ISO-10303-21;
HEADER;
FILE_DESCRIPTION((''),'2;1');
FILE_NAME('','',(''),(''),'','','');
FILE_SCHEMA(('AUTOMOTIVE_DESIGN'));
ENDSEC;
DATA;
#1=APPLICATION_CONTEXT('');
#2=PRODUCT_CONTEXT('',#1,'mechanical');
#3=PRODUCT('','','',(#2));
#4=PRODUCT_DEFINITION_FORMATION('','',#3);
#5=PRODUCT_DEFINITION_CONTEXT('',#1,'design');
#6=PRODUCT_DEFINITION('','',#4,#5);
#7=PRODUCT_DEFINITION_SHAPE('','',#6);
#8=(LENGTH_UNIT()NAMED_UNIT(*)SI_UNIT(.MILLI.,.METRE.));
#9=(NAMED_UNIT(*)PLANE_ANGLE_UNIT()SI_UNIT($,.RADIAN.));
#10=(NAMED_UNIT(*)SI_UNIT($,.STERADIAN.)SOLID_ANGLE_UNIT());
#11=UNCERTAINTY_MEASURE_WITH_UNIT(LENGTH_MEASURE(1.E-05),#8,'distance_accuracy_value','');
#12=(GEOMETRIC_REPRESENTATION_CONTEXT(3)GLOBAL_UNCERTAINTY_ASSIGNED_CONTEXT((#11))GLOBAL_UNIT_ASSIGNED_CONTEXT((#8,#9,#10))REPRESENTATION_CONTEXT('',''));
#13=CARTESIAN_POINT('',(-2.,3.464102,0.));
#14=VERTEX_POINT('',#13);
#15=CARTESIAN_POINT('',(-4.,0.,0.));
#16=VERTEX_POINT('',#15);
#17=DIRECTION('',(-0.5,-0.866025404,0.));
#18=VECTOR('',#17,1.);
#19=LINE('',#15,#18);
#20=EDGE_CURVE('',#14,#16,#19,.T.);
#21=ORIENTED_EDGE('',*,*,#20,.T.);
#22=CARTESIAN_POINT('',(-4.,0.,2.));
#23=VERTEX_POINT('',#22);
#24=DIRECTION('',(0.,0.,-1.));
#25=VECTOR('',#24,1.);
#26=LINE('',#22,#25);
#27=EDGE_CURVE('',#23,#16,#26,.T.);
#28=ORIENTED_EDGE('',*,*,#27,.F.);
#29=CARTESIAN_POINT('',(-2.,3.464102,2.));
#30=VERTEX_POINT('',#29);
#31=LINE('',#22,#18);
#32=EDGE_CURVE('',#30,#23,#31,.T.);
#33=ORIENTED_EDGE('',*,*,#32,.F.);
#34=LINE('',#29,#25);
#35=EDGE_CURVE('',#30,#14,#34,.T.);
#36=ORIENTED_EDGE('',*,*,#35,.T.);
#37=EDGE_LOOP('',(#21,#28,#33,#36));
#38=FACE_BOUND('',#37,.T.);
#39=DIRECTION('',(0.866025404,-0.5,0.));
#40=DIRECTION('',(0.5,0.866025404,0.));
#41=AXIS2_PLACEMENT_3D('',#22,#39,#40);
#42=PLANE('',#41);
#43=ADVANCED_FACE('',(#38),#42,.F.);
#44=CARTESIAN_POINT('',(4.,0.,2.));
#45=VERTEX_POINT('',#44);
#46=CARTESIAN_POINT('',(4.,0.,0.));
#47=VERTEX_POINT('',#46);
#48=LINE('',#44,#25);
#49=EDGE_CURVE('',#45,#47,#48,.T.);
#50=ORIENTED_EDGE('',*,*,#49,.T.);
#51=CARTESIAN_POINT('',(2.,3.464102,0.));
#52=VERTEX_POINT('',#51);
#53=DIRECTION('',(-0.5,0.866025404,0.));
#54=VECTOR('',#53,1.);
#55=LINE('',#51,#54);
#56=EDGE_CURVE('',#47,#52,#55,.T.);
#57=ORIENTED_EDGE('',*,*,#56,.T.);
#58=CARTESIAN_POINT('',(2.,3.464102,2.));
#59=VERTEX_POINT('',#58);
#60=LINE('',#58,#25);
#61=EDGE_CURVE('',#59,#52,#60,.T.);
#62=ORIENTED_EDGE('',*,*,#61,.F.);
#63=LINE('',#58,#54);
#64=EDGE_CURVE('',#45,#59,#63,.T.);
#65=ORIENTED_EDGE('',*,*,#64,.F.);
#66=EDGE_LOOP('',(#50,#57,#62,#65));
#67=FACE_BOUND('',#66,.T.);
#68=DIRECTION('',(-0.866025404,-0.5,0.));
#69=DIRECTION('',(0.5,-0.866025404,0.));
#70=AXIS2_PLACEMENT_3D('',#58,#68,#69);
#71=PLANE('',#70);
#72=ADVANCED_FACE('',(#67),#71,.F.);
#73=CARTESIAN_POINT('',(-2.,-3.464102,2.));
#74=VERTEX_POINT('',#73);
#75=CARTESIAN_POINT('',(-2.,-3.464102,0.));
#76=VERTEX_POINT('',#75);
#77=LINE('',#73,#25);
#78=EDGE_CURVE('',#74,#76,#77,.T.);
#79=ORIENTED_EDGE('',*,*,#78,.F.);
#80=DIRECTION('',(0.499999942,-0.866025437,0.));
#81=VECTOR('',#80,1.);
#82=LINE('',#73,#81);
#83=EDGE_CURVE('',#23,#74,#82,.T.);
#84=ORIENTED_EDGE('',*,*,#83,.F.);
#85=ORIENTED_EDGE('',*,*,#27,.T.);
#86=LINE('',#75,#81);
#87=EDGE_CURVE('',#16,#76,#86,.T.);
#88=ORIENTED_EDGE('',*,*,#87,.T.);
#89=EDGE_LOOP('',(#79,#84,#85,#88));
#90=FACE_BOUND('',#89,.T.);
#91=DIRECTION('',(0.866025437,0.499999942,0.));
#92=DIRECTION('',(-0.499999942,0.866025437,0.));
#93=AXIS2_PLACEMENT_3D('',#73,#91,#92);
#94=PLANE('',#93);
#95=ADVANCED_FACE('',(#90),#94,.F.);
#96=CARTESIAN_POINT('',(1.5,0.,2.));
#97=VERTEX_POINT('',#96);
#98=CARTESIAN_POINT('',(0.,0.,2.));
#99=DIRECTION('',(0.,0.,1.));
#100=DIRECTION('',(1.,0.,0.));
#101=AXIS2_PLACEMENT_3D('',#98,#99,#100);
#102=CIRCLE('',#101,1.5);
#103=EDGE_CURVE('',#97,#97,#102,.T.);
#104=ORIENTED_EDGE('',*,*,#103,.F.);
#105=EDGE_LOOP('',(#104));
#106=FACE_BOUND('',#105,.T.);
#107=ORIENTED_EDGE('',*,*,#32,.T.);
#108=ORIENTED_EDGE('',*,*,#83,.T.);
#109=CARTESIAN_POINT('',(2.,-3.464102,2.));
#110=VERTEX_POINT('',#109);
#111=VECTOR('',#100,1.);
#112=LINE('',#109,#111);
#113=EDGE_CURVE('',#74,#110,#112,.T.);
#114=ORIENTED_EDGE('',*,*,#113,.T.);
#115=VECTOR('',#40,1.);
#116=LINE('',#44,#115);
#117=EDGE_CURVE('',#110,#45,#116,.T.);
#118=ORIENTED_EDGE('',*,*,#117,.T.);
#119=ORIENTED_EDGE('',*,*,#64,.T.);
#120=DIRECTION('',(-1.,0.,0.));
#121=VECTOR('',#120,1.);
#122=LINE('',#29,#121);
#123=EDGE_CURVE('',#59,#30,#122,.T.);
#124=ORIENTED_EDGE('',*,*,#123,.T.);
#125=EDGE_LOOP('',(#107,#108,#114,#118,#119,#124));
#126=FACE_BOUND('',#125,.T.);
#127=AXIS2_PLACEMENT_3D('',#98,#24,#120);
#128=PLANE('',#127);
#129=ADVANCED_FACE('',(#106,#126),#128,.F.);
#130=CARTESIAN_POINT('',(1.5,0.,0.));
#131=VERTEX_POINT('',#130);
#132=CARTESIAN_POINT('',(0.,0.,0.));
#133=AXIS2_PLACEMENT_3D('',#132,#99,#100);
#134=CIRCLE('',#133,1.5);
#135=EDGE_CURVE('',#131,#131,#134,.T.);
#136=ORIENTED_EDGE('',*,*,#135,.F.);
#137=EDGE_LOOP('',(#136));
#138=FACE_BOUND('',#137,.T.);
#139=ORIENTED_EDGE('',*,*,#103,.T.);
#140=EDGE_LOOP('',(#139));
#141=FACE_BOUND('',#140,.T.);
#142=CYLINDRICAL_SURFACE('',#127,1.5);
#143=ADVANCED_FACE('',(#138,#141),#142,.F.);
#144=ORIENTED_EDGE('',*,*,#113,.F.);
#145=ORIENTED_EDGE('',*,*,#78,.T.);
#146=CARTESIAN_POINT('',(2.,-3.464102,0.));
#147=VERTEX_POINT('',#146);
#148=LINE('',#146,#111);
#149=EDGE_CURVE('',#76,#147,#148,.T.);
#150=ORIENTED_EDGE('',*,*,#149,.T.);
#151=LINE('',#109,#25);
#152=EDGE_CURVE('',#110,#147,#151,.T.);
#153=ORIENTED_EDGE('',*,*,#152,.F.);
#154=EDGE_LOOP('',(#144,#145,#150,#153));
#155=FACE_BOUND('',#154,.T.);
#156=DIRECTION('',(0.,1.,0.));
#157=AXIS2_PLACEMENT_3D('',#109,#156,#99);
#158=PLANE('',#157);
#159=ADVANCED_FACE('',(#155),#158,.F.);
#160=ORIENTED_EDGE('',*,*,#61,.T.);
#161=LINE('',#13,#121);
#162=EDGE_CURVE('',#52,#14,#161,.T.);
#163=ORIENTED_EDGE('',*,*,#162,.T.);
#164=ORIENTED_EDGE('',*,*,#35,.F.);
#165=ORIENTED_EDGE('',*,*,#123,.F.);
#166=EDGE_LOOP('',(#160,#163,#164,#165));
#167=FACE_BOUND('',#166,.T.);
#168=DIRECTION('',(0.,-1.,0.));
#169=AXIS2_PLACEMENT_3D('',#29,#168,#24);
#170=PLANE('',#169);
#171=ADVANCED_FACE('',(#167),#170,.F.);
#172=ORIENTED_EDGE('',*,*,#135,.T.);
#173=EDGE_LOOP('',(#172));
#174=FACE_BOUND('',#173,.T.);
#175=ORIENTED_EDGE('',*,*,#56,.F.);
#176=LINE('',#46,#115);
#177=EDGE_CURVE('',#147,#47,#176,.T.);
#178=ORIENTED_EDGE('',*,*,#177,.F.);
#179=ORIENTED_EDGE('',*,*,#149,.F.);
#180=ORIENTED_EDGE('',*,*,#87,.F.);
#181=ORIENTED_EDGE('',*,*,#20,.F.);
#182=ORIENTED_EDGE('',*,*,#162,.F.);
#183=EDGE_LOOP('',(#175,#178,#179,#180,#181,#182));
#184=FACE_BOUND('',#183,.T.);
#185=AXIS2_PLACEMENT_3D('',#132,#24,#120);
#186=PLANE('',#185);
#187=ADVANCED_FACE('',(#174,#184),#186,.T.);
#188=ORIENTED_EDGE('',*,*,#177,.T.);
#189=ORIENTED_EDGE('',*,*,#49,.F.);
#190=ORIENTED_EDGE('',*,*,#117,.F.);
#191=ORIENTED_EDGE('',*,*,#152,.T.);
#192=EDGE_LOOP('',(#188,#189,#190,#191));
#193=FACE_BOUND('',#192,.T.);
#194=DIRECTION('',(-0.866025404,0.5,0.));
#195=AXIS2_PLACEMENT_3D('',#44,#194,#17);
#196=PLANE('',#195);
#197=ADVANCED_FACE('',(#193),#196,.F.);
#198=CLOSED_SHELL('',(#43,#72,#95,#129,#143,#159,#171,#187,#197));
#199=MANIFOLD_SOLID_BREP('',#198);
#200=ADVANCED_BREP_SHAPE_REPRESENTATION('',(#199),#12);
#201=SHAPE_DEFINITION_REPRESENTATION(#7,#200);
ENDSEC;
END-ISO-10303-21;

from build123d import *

# Parameters (mm, degrees)
ESQUISSE1_R        = 1.5
BOSS_EXTRU_1_DEPTH = 2


with BuildPart() as part:
    # Esquisse1 → Boss.-Extru.1 (new body)
    with BuildSketch(Plane.XY):
        Polygon((-4, 0), (-2, 3.464101615), (2, 3.464101615), (4, 0), (1.999999923, -3.464101748), (-2.00000023, -3.464101748), align=None)
        Circle(ESQUISSE1_R, mode=Mode.SUBTRACT)
    extrude(amount=BOSS_EXTRU_1_DEPTH)


solid = part.part
